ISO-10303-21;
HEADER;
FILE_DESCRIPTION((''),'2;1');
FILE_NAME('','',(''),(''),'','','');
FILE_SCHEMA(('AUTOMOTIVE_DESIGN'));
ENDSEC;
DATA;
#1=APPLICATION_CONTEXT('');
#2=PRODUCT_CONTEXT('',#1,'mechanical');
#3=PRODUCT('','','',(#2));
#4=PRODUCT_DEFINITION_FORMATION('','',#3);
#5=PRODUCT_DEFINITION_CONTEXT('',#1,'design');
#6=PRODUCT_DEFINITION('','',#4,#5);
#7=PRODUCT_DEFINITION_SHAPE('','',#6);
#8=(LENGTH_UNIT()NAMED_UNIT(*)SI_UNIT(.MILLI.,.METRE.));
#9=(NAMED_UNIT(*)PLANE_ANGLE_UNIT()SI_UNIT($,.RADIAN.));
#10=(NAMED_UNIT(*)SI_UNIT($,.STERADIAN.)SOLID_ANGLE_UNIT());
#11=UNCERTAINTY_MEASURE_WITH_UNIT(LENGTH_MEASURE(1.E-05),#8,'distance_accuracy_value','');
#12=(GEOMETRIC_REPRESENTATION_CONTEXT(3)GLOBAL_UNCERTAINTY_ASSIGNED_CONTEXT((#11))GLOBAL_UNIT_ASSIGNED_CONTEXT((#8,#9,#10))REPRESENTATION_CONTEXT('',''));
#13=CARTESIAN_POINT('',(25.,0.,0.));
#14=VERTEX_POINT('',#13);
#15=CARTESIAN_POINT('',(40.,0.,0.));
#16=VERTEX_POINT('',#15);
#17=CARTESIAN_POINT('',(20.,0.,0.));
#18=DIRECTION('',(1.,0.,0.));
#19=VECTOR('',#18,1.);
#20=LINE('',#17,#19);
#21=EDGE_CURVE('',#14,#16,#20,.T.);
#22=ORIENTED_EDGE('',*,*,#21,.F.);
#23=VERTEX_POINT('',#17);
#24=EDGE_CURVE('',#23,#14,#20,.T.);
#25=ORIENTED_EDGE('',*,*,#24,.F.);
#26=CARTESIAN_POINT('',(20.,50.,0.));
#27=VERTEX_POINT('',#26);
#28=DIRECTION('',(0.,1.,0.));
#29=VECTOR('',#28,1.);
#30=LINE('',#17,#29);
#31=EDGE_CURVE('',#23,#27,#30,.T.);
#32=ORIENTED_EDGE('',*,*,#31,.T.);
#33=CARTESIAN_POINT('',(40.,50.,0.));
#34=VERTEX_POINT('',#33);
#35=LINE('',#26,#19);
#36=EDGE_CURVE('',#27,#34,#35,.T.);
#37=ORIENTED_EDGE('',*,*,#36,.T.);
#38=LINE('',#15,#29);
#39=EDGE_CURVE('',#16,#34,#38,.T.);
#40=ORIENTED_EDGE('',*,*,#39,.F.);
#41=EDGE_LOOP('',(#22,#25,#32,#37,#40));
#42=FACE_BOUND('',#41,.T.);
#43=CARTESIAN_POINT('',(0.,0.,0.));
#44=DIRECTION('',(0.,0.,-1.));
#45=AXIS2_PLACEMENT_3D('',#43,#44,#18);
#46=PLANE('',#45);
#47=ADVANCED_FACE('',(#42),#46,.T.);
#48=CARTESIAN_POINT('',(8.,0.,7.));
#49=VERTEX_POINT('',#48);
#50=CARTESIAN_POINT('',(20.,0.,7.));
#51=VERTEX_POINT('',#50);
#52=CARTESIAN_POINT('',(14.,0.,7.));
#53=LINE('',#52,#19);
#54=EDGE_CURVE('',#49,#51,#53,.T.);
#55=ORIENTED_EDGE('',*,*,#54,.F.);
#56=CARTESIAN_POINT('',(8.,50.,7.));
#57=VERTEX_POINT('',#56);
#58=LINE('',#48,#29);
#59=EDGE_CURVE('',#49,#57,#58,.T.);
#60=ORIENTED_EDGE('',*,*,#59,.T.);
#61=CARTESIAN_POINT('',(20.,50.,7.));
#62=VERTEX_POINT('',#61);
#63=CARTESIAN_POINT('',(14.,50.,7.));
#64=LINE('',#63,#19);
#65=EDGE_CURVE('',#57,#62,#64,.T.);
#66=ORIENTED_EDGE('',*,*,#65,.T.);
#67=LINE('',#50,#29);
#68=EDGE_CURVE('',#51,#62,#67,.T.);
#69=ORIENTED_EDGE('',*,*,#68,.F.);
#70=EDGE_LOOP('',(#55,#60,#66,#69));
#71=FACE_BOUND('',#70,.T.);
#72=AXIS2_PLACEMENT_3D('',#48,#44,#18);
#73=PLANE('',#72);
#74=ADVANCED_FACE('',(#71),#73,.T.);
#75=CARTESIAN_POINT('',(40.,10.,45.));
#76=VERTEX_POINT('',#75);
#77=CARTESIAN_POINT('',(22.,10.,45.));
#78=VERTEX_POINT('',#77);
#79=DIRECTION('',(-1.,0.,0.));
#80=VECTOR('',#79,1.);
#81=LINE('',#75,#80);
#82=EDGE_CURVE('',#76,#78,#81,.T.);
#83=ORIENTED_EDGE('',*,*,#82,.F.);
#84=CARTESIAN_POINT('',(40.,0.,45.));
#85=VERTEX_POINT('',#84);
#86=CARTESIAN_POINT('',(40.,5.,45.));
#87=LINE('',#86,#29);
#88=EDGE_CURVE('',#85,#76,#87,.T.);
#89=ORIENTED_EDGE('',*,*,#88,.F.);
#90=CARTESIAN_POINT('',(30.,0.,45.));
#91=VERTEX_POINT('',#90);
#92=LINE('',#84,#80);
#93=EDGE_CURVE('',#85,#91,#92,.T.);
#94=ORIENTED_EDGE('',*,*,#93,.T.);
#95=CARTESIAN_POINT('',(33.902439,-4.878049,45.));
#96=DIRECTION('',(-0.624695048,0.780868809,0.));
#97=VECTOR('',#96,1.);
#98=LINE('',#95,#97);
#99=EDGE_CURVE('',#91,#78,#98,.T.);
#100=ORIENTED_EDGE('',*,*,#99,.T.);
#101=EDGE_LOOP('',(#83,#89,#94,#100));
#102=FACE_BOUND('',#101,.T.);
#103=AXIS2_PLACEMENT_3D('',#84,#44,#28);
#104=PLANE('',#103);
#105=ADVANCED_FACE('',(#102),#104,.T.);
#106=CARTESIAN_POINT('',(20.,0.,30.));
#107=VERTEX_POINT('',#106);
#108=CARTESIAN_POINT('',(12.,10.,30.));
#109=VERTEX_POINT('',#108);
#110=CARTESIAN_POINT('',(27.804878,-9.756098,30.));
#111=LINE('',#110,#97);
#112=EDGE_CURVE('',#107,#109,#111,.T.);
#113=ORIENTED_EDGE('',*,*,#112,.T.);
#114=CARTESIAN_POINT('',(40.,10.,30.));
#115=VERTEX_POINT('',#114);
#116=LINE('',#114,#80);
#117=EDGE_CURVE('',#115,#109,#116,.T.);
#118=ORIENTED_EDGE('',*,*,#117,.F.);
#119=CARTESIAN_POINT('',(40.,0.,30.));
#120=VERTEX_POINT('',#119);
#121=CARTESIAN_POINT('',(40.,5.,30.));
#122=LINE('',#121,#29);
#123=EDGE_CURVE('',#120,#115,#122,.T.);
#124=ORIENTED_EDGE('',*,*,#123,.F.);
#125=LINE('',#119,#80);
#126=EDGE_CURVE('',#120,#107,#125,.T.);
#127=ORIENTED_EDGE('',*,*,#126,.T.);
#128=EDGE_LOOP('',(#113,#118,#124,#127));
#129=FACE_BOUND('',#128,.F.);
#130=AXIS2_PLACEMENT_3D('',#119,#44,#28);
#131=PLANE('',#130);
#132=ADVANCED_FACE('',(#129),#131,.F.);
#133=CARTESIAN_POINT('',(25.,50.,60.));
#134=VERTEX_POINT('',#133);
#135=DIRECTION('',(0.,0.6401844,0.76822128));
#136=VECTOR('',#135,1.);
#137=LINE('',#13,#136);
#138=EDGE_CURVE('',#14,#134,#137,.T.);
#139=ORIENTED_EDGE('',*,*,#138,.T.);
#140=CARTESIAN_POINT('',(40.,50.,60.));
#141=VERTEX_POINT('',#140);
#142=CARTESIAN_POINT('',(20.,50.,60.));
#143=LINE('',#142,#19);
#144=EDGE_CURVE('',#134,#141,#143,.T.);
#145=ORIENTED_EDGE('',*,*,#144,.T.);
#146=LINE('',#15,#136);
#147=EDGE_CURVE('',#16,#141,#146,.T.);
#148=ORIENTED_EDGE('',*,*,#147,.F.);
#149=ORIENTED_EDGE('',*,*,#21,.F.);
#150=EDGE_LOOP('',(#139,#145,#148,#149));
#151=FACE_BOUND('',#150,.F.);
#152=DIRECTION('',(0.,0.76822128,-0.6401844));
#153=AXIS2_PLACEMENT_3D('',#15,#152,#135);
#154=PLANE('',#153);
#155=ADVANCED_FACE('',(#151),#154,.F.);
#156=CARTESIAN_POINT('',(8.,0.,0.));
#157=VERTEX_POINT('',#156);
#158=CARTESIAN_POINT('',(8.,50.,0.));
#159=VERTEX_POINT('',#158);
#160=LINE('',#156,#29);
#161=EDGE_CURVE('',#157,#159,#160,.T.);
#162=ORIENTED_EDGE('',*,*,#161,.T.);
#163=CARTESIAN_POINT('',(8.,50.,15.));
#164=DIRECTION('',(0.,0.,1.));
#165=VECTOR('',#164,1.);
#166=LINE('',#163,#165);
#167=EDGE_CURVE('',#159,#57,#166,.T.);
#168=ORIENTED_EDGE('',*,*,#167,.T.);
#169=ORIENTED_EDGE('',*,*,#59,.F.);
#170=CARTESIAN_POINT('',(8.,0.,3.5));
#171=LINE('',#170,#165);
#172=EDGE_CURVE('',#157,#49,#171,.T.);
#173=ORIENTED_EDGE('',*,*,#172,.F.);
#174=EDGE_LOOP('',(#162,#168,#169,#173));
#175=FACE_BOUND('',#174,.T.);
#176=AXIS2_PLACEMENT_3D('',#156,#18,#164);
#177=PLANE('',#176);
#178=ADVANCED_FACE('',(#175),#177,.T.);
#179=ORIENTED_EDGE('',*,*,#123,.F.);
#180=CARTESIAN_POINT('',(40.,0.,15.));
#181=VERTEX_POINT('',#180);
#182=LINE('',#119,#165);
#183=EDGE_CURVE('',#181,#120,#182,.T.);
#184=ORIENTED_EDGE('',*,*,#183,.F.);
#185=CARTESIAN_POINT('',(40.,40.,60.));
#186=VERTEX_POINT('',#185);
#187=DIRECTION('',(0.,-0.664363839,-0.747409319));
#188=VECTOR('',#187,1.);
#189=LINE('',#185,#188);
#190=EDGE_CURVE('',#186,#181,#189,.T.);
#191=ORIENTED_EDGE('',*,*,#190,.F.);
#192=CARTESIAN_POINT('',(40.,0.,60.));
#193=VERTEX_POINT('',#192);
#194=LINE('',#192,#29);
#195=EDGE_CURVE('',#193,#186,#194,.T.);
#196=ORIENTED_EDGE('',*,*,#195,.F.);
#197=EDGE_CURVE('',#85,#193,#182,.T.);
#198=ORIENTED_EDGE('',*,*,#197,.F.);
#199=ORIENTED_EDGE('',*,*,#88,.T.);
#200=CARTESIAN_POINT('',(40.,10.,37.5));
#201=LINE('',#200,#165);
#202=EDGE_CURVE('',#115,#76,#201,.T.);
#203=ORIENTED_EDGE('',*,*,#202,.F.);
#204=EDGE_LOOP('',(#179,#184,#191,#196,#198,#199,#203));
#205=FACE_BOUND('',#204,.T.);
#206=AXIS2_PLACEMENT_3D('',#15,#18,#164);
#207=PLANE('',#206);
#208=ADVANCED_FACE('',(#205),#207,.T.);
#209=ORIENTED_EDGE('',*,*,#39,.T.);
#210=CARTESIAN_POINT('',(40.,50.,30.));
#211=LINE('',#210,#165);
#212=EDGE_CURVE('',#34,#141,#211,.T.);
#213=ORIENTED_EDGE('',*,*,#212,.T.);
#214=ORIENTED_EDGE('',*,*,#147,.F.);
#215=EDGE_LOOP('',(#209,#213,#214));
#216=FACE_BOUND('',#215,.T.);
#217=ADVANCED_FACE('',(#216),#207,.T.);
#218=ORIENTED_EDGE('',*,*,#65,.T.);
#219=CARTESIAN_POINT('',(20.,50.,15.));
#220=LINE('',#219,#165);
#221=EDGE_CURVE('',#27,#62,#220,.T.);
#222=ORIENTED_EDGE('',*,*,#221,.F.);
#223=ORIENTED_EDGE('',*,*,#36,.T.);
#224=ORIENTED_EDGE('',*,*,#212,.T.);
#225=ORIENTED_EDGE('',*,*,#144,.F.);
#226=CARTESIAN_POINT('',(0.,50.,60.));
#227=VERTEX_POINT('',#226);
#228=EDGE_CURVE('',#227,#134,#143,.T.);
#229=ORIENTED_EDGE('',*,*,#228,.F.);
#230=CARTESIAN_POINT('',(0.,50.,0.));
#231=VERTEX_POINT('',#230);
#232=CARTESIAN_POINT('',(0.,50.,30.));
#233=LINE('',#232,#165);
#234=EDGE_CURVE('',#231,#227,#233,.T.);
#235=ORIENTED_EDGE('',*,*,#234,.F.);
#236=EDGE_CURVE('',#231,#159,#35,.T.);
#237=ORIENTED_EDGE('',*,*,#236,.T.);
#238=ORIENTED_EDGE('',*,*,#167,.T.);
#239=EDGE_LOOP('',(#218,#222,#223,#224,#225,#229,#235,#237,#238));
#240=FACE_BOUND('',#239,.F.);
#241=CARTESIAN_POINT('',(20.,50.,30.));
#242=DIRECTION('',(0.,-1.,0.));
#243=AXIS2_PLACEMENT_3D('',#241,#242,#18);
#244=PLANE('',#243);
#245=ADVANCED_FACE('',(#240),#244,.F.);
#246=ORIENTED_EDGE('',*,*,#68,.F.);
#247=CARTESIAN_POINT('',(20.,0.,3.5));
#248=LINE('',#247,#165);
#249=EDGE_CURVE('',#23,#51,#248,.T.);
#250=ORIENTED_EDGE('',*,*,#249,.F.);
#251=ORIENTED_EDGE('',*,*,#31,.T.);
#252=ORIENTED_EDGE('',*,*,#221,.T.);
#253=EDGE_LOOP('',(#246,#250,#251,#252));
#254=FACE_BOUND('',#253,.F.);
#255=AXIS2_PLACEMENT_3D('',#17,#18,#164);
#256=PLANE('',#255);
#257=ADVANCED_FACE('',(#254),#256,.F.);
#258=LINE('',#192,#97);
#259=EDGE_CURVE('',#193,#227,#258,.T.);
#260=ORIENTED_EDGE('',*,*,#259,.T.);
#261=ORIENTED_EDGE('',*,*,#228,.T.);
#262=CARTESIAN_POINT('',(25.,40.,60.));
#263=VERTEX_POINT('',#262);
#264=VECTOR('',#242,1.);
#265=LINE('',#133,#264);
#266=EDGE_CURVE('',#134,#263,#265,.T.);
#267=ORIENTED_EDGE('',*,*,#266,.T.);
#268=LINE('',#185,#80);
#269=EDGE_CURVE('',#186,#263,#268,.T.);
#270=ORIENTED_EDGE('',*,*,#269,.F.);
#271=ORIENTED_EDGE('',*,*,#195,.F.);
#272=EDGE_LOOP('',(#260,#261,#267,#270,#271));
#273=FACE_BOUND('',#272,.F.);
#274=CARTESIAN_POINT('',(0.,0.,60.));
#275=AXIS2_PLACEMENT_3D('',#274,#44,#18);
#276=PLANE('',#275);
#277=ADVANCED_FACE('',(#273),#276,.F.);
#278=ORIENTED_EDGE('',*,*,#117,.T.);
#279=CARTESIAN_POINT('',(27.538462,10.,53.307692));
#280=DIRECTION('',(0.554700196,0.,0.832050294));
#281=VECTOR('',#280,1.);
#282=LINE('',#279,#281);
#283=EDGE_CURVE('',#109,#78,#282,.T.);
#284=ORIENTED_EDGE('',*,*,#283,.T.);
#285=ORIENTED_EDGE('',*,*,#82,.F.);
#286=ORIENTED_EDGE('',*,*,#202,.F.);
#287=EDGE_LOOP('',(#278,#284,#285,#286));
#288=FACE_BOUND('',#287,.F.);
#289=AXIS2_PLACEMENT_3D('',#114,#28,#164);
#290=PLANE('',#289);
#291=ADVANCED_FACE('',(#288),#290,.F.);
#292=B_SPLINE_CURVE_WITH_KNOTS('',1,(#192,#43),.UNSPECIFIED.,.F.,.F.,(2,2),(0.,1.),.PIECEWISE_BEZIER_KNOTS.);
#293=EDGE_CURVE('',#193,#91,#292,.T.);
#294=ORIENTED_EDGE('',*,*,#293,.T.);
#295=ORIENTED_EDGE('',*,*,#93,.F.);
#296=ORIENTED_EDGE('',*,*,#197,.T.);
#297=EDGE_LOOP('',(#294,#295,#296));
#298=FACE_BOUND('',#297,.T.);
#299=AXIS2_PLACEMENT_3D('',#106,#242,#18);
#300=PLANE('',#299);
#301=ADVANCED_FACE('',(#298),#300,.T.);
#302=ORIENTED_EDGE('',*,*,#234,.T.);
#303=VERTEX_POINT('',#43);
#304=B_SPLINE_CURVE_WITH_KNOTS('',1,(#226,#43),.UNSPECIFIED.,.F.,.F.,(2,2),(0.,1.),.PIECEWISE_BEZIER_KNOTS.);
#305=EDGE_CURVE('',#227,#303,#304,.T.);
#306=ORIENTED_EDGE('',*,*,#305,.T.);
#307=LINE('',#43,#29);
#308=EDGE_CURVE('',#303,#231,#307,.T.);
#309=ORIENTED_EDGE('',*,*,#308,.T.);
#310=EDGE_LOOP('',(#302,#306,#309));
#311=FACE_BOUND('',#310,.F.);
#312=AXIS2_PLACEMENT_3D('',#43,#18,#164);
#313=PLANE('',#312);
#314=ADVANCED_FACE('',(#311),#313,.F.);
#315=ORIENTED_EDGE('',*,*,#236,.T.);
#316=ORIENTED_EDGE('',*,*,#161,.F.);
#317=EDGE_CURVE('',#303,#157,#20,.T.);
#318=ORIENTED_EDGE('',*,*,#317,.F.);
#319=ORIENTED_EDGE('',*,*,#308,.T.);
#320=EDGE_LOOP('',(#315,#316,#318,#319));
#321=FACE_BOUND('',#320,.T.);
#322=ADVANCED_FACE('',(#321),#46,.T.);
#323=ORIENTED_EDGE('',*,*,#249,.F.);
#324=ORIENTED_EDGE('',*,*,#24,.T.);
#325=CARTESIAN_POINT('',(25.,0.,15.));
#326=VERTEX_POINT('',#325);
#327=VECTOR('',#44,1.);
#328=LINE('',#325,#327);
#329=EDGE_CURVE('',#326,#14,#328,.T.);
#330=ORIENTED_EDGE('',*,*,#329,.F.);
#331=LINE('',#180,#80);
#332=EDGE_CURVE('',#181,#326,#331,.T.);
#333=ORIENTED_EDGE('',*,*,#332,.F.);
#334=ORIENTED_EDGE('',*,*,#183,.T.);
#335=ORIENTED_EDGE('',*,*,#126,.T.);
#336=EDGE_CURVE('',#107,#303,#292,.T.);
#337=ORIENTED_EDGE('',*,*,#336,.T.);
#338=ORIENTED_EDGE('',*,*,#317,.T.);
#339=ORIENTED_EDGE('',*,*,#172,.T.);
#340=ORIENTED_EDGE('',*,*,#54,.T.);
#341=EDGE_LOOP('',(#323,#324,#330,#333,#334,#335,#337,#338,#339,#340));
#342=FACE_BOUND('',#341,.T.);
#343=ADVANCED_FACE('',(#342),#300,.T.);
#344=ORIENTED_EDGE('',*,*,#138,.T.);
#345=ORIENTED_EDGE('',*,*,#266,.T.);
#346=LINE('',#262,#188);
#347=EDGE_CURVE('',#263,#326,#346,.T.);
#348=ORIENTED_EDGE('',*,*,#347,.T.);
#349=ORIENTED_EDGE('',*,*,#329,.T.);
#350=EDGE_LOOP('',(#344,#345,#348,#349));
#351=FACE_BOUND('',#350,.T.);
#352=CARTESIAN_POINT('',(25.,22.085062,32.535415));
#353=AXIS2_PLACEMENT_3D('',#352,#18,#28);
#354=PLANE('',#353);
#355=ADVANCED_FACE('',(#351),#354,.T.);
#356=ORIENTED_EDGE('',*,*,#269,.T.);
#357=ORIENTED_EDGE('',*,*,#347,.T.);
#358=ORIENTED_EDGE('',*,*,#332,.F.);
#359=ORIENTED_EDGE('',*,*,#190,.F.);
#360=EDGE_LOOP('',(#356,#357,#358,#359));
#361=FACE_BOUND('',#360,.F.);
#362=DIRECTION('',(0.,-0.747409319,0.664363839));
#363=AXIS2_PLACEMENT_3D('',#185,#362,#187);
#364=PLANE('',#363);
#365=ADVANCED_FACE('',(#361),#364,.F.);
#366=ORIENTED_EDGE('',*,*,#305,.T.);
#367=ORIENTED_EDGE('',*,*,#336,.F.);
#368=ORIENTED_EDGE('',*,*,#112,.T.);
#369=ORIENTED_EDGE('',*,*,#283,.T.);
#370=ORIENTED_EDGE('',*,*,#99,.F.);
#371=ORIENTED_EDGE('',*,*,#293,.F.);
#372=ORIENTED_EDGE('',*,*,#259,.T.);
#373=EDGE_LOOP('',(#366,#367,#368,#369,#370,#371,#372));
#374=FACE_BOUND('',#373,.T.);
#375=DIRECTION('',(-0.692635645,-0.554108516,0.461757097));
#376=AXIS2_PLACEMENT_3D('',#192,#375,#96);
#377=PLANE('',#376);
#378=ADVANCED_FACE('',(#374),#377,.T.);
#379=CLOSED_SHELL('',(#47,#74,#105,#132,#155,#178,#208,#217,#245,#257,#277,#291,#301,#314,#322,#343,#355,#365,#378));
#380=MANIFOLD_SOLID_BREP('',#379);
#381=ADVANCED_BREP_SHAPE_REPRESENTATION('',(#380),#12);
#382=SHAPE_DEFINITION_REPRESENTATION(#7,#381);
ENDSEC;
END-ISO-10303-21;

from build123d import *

# Parameters (mm, degrees)
F0_W     = 40
F0_H     = 60
F1_DEPTH = 50
F4_DEPTH = 15
F5_W     = 12
F5_H     = 7
F6_DEPTH = 50.001
F7_W     = 10
F7_H     = 15
F8_DEPTH = 40.001


with BuildPart() as f1:
    # F0 (on Front) → F1 (new body)
    with BuildSketch(Plane.XZ):
        with Locations((20, 30)):
            Rectangle(F0_W, F0_H)
    extrude(amount=-F1_DEPTH)

    # F2 (on face) → F4 (cut, through all)
    with BuildSketch(Plane.YZ.offset(40)):
        Polygon((0, 15), (0, 0), (50, 60), (40, 60), align=None)
    extrude(amount=-F4_DEPTH, mode=Mode.SUBTRACT)

    # F5 (on face) → F6 (cut, through all)
    with BuildSketch(Plane.XZ):
        with Locations((14, 3.5)):
            Rectangle(F5_W, F5_H)
    extrude(amount=-F6_DEPTH, mode=Mode.SUBTRACT)

    # F7 (on face) → F8 (cut, through all)
    with BuildSketch(Plane.YZ.offset(40)):
        with Locations((5, 37.5)):
            Rectangle(F7_W, F7_H)
    extrude(amount=-F8_DEPTH, mode=Mode.SUBTRACT)

    # F9 (on face) → F10 section 0
    with BuildSketch(Plane.XY.offset(60), mode=Mode.PRIVATE) as f10_s0:
        Polygon((40, 0), (0, 50), (0, 0), align=None)
    loft([f10_s0.sketch, Vertex(0, 0, 0)], mode=Mode.SUBTRACT)


solid = f1.part
